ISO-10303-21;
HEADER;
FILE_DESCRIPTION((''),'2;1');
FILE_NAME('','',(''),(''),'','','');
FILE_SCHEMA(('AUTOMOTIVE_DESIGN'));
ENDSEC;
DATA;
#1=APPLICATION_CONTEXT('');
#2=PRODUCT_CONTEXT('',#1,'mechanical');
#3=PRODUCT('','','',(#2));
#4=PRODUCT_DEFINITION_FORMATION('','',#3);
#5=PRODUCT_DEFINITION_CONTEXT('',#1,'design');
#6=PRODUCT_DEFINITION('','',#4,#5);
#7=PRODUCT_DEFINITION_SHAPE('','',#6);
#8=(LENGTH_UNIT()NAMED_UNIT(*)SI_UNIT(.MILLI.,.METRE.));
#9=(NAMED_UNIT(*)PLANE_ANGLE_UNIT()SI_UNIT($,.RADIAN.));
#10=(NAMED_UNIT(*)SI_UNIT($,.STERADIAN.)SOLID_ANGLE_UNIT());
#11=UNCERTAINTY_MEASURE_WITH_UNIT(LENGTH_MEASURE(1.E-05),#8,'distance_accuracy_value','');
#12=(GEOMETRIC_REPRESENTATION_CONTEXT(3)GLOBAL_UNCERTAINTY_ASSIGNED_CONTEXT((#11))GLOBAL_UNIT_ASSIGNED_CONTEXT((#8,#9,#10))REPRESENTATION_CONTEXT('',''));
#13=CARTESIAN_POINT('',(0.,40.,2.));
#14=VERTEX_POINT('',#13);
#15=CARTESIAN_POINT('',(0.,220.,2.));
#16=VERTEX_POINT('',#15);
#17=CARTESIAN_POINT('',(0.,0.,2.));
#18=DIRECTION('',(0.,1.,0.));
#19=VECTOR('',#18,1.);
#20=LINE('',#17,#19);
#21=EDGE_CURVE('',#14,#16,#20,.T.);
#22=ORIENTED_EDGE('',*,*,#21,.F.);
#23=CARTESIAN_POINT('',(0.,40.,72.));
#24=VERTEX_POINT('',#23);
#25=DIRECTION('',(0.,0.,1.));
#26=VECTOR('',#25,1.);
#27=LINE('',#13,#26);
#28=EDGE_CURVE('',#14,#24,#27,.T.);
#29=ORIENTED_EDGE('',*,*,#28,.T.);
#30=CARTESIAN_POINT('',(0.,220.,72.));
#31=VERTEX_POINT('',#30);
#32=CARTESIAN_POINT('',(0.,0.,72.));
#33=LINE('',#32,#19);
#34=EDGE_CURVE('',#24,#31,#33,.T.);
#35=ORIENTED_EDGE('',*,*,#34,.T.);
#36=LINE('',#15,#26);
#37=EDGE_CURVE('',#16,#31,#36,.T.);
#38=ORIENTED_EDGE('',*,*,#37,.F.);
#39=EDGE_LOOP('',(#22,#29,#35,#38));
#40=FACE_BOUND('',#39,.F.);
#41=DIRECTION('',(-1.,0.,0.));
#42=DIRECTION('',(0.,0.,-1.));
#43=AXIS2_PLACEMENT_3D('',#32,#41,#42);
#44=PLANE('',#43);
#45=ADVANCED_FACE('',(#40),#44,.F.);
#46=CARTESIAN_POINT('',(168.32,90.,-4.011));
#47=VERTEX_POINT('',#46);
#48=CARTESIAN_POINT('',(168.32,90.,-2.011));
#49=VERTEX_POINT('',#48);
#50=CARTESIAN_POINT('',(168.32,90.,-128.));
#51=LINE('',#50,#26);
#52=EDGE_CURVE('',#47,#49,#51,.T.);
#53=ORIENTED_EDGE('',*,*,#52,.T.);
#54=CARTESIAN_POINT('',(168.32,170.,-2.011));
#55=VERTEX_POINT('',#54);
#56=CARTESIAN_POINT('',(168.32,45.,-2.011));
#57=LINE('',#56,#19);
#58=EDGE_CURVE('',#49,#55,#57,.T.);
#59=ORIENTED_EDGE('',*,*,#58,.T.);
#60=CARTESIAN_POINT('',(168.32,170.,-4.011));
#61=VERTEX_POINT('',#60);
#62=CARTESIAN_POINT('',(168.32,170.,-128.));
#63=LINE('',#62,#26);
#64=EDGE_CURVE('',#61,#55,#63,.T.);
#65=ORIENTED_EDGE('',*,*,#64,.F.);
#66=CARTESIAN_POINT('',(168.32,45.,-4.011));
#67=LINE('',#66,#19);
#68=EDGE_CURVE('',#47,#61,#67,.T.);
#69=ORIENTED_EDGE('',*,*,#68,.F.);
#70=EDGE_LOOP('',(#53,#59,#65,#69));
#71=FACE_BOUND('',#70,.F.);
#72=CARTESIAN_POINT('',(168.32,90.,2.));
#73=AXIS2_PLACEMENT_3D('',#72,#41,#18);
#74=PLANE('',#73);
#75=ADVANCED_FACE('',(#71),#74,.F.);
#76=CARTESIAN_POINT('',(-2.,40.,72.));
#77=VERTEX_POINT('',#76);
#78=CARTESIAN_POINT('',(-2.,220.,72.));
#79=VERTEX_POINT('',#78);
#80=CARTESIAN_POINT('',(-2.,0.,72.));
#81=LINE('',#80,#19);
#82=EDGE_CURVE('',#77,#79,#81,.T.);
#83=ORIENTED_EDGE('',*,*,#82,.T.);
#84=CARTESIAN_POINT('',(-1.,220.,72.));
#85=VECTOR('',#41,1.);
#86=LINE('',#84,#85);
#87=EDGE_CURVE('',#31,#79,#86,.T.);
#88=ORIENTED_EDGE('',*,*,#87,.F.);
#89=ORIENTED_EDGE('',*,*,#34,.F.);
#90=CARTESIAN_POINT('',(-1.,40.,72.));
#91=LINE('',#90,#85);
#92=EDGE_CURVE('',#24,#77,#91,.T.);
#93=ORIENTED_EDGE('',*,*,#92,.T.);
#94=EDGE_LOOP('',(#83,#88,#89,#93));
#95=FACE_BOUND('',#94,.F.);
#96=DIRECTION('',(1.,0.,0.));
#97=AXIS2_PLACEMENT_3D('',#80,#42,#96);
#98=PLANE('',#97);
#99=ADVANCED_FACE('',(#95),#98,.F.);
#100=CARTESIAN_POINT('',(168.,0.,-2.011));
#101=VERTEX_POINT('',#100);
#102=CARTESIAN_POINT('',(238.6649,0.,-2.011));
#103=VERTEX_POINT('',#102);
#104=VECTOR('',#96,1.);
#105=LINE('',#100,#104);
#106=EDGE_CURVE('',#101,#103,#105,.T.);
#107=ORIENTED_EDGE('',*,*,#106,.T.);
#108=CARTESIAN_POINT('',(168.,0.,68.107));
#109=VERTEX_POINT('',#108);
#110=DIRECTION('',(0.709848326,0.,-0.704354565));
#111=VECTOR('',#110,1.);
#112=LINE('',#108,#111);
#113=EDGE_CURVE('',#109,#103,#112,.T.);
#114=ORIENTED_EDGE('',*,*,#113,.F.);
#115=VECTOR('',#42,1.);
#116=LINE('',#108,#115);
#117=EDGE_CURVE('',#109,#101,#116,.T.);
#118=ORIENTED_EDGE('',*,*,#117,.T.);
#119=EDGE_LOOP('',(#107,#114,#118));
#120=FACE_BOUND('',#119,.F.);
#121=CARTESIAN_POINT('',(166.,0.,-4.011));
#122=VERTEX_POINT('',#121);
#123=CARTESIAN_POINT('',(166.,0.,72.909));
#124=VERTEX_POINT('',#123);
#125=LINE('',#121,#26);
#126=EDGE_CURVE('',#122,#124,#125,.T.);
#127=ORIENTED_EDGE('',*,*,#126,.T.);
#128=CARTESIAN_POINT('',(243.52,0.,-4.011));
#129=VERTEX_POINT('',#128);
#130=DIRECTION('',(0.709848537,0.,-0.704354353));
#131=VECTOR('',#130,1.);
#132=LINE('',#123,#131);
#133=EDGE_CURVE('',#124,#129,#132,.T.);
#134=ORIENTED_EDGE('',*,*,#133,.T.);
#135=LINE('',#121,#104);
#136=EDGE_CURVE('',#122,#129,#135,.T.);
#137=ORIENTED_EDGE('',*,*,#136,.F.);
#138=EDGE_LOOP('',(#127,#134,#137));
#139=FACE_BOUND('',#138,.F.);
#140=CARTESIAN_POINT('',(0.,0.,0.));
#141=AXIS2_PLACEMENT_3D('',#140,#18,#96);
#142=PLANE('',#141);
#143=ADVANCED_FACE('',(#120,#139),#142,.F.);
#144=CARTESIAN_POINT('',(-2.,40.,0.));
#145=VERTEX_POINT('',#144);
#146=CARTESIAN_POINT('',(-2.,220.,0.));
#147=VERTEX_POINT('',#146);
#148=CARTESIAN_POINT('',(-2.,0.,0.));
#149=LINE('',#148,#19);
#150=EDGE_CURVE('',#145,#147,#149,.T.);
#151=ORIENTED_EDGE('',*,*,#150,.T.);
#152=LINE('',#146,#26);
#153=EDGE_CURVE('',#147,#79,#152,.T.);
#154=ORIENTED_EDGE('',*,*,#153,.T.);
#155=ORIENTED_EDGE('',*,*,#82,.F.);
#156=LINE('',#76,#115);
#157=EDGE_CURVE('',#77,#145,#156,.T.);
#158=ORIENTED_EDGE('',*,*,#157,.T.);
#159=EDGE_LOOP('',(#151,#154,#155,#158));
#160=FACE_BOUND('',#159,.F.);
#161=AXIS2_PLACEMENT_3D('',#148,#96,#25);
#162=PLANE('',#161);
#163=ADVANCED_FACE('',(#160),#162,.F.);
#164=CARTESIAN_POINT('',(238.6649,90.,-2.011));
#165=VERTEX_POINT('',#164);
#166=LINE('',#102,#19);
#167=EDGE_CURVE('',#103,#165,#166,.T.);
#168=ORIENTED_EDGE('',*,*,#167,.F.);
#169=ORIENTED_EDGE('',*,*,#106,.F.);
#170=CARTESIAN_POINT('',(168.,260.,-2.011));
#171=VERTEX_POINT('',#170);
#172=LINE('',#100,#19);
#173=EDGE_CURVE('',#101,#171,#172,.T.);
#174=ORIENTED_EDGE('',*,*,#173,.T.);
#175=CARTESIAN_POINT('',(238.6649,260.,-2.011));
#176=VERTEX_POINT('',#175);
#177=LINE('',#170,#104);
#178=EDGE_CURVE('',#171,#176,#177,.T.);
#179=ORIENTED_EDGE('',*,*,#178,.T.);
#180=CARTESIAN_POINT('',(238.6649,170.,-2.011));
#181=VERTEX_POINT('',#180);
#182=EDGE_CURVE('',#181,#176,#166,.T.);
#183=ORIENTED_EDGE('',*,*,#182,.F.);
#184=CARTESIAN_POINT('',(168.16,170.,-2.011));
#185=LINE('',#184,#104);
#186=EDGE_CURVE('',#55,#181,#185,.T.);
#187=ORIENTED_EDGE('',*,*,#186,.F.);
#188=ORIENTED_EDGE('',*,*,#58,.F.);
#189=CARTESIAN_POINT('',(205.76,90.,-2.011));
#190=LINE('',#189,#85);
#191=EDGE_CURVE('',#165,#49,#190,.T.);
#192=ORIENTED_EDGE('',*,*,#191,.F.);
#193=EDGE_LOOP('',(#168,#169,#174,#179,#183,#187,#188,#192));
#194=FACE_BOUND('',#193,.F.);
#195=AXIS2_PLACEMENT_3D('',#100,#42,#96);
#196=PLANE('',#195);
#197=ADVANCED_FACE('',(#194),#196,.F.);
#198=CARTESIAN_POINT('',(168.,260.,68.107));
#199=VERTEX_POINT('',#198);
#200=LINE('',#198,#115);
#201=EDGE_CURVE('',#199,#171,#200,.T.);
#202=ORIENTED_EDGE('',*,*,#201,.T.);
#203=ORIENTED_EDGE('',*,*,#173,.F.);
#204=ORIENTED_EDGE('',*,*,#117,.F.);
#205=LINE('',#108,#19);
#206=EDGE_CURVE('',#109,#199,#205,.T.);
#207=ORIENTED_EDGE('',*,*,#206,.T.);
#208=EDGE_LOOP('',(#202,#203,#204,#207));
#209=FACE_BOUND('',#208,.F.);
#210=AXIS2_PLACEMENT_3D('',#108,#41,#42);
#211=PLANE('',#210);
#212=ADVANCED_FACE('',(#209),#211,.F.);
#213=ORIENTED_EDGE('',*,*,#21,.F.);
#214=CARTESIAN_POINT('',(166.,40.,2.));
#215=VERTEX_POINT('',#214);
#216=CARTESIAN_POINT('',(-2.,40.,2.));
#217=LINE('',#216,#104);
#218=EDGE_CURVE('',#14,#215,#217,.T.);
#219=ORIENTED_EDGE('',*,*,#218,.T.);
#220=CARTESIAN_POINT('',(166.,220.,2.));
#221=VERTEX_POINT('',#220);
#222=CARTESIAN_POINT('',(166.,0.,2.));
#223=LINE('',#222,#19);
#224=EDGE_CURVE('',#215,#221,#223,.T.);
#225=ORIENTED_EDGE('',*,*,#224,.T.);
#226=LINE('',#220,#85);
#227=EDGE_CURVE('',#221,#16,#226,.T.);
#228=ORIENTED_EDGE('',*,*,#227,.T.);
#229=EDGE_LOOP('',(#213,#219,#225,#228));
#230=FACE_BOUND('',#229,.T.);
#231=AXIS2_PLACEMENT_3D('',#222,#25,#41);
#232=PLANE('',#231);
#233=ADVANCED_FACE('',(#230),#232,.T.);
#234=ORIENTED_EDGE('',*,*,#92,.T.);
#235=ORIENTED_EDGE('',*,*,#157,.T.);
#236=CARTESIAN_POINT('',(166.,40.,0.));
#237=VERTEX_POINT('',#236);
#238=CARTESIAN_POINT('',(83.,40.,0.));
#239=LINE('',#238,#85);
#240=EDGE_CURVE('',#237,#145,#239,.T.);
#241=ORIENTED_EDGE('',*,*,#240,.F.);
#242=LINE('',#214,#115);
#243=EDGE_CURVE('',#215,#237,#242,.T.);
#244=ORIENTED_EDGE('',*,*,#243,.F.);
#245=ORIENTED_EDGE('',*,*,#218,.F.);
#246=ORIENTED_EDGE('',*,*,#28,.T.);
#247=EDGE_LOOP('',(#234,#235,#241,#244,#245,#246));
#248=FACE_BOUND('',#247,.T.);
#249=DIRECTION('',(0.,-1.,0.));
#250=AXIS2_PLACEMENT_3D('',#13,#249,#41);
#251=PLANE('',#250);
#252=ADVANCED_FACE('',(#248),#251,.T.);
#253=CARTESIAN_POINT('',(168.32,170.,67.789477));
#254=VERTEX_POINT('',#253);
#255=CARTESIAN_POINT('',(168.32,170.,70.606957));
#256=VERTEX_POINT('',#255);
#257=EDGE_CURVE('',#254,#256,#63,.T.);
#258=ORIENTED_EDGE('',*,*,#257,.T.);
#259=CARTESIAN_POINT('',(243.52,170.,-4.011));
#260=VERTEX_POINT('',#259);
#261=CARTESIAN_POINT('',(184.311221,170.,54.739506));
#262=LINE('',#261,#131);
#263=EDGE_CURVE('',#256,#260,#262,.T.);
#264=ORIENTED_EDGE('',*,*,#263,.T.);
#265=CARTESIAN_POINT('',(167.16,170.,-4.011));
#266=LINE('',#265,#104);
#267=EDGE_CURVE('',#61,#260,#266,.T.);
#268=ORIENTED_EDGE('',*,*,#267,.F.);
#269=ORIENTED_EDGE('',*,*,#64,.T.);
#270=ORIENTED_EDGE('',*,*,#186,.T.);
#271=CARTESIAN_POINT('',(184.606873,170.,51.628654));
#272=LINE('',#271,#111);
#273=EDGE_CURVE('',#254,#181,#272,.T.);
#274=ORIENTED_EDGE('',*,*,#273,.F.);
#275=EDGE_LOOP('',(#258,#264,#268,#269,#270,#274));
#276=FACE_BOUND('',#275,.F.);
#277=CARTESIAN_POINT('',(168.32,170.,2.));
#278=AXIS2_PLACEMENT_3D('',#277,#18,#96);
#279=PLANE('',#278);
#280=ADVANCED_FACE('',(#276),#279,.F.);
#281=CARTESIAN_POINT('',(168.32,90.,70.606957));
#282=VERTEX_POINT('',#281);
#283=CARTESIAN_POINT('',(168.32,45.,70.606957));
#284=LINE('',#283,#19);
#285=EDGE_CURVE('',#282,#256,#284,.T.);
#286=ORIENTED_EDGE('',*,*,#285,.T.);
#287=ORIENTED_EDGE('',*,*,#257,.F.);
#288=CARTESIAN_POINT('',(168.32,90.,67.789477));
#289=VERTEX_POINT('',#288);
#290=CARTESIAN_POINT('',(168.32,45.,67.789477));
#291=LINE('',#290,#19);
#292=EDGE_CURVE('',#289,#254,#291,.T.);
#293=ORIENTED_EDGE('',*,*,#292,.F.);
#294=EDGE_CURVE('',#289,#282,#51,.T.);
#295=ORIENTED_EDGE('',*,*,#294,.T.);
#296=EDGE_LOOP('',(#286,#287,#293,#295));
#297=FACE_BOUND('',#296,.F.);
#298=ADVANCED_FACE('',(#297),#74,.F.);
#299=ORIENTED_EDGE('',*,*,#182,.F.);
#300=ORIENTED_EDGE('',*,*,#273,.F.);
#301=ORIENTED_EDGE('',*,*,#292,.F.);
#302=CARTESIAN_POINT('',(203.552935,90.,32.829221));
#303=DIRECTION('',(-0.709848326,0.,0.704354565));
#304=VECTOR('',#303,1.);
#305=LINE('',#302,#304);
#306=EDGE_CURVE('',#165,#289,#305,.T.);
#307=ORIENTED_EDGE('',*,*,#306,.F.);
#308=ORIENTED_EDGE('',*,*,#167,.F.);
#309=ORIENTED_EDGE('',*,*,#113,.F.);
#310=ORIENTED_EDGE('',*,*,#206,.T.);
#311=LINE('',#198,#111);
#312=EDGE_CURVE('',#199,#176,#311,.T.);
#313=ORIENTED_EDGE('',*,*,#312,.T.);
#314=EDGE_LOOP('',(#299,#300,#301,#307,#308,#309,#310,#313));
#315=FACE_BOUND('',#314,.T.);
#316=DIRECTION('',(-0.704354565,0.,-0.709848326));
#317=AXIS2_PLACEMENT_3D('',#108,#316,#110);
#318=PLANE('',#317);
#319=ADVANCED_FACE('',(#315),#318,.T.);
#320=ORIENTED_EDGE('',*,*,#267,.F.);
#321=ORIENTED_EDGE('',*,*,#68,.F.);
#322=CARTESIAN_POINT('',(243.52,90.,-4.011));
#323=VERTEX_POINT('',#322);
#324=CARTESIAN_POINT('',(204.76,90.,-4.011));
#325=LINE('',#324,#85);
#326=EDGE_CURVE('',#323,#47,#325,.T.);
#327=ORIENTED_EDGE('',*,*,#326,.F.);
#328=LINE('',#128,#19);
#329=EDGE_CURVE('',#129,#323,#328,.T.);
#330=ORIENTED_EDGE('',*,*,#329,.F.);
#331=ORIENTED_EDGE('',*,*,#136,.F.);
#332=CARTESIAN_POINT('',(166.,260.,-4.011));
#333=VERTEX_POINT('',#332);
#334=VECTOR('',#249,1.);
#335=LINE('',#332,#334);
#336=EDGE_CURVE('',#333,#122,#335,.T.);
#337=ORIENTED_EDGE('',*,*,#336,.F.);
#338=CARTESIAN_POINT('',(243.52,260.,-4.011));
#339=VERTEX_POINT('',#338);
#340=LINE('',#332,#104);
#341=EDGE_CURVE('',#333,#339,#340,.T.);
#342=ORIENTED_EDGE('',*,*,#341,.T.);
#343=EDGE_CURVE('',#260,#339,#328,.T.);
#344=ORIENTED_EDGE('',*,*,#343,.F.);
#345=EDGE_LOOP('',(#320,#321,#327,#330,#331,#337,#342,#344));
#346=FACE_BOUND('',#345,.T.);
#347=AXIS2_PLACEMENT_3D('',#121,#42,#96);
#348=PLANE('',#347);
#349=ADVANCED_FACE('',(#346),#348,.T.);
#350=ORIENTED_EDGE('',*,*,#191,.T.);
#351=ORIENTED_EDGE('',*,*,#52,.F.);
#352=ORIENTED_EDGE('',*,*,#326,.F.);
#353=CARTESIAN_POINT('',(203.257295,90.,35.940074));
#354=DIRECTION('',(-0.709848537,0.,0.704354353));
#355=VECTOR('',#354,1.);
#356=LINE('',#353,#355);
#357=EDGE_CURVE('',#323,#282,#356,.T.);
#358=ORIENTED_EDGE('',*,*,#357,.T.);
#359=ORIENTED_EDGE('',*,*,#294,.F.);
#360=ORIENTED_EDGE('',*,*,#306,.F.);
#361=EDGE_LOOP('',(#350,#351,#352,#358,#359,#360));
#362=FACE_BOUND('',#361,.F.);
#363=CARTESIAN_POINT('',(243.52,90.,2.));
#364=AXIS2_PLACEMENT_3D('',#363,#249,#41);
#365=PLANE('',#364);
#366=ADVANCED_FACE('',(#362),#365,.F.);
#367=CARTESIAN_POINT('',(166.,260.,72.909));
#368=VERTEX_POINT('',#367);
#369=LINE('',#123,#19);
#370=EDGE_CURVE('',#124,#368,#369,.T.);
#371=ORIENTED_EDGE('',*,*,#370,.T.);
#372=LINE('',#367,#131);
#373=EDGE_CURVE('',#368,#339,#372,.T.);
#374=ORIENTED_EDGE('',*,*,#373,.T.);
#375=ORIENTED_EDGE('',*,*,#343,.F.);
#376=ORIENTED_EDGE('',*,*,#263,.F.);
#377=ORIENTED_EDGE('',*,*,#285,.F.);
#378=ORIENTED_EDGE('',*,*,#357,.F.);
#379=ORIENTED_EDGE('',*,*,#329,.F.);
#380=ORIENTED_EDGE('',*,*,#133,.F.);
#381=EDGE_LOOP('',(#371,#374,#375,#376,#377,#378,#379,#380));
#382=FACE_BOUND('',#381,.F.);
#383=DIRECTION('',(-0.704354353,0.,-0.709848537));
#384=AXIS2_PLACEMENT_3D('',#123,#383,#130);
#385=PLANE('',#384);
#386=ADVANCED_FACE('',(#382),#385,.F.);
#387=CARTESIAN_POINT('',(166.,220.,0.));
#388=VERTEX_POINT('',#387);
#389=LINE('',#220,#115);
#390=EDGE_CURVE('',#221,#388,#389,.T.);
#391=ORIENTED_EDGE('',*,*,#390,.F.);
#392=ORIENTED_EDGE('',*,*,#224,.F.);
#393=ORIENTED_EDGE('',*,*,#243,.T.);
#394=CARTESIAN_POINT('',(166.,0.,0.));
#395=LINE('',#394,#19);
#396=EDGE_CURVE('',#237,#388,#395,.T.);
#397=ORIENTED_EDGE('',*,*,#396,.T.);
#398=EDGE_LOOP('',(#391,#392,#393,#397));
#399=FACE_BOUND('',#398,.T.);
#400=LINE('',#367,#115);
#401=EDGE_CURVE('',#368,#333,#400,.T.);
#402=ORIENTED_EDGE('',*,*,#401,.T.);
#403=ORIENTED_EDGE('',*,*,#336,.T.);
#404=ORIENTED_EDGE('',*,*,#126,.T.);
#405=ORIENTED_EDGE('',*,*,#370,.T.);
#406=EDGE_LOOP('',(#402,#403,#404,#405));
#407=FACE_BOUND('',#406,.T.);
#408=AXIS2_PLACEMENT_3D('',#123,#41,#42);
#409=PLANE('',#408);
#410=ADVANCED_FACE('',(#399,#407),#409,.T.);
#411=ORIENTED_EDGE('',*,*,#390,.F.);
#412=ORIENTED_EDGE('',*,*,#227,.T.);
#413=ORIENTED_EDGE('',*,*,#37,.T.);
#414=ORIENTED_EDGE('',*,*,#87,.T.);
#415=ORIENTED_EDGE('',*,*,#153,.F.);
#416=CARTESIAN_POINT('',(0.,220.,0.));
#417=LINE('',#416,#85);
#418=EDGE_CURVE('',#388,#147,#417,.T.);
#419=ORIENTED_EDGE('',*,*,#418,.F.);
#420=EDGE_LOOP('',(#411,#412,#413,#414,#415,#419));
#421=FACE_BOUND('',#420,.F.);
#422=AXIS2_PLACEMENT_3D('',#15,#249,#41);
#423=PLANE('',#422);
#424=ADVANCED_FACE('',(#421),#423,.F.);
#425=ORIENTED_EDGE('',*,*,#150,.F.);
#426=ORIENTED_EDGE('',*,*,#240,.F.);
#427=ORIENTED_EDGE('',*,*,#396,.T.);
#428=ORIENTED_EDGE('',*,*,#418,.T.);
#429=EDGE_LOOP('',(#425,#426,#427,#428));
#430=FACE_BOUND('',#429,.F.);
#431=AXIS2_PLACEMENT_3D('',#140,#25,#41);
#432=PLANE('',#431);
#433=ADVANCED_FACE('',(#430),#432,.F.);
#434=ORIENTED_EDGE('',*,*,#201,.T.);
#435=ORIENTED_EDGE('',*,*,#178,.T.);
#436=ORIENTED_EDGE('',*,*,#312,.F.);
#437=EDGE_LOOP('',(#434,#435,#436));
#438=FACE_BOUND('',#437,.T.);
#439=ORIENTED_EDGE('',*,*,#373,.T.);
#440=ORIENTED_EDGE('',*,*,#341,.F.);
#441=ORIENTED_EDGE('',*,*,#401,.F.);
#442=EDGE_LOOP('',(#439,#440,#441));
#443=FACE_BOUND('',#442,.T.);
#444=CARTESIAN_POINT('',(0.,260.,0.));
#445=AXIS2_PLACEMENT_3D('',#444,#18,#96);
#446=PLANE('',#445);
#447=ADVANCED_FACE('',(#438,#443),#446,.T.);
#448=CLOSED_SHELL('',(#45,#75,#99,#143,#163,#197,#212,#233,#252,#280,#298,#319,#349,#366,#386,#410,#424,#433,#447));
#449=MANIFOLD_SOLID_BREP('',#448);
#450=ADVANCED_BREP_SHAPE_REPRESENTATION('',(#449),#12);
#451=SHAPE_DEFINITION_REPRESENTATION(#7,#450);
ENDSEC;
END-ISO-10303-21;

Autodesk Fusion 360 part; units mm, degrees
sketch "Sketch1" plane through (0, 0, 0) normal (0, 1, 0) x (1, 0, 0)
  line L0 (0, 0) -> (-2, 0)
  line L1 (-2, 0) -> (-2, -72)
  line L2 (-2, -72) -> (0, -72)
  line L3 (0, -72) -> (0, 0)
  line L4 (0, 0) -> (166, 0)
  line L5 (166, 0) -> (166, -2)
  line L6 (166, -2) -> (0, -2)
  line L7 (0, -2) -> (0, 0)
  line L8 (166, -72.909) -> (166, 4.011)
  line L9 (166, -72.909) -> (243.52, 4.011)
  line L10 (166, 4.011) -> (243.52, 4.011)
  line L11 (168, -68.107) -> (238.6649, 2.011)
  line L12 (168, 2.011) -> (238.6649, 2.011)
  line L13 (168, -68.107) -> (168, 2.011)
  dimension "d1" = 2
  dimension "d2" = 72
  dimension "d3" = 166
  dimension "d4" = 2
  dimension "d5" = 76.92
  dimension "d6" = 4.011
  dimension "d8" = 77.52
  dimension "d9" = 2
extrude "Extrude1" add sketch "Sketch1" along normal blind 260
sketch "Sketch2" plane through (0, 0, 2) normal (0, 0, 1) x (-1, 0, 0)
  line L0 (0, 0) -> (-166, 0)
  line L1 (-166, 0) -> (-166, -260)
  line L2 (-166, -260) -> (0, -260)
  line L3 (0, -260) -> (0, 0)
  line L4 (2, 0) -> (-166, 0)
  line L5 (-166, 0) -> (-166, -40)
  line L6 (-166, -40) -> (2, -40)
  line L7 (2, -40) -> (2, 0)
  line L8 (0, -130) -> (-166, -130) construction
  line L9 (2, -220) -> (2, -260)
  line L10 (-166, -220) -> (2, -220)
  line L11 (2, -260) -> (-166, -260)
  line L12 (-166, -260) -> (-166, -220)
  point P0 (2, 0)
  dimension "d12" = 168
  dimension "d13" = 40
extrude "Extrude2" cut sketch "Sketch2" against normal blind 45 contours L0 L1 L3 L4 L5 L6 | L3 L4 L6 L7 | L3 L9 L10 L11 | L1 L2 L3 L10 L11 L12
extrude "Extrude3" cut sketch "Sketch2" along normal blind 80 contours L3 L4 L6 L7 | L3 L9 L10 L11
sketch "Sketch3" plane through (0, 0, 2) normal (0, 0, 1) x (-1, 0, 0)
  line L0 (-166, -220) -> (0, -220)
  line L1 (0, -220) -> (0, -40)
  line L2 (0, -40) -> (-166, -40)
  line L3 (-166, -40) -> (-166, -220)
  line L4 (-168.32, -170) -> (-243.52, -170)
  line L5 (-243.52, -170) -> (-243.52, -90)
  line L6 (-243.52, -90) -> (-168.32, -90)
  line L7 (-168.32, -90) -> (-168.32, -170)
  line L8 (-243.52, 0) -> (-243.52, -260)
  dimension "d18" = 75.2
  dimension "d19" = 80
extrude "Extrude4" cut sketch "Sketch3" along normal mid plane 260 contours L4 L5 L6 L7 L8
equation "d2 = ( 7.2 * 10 ) * 1 mm"
equation "d3 = ( 16.6 * 10 ) * 1 mm"
